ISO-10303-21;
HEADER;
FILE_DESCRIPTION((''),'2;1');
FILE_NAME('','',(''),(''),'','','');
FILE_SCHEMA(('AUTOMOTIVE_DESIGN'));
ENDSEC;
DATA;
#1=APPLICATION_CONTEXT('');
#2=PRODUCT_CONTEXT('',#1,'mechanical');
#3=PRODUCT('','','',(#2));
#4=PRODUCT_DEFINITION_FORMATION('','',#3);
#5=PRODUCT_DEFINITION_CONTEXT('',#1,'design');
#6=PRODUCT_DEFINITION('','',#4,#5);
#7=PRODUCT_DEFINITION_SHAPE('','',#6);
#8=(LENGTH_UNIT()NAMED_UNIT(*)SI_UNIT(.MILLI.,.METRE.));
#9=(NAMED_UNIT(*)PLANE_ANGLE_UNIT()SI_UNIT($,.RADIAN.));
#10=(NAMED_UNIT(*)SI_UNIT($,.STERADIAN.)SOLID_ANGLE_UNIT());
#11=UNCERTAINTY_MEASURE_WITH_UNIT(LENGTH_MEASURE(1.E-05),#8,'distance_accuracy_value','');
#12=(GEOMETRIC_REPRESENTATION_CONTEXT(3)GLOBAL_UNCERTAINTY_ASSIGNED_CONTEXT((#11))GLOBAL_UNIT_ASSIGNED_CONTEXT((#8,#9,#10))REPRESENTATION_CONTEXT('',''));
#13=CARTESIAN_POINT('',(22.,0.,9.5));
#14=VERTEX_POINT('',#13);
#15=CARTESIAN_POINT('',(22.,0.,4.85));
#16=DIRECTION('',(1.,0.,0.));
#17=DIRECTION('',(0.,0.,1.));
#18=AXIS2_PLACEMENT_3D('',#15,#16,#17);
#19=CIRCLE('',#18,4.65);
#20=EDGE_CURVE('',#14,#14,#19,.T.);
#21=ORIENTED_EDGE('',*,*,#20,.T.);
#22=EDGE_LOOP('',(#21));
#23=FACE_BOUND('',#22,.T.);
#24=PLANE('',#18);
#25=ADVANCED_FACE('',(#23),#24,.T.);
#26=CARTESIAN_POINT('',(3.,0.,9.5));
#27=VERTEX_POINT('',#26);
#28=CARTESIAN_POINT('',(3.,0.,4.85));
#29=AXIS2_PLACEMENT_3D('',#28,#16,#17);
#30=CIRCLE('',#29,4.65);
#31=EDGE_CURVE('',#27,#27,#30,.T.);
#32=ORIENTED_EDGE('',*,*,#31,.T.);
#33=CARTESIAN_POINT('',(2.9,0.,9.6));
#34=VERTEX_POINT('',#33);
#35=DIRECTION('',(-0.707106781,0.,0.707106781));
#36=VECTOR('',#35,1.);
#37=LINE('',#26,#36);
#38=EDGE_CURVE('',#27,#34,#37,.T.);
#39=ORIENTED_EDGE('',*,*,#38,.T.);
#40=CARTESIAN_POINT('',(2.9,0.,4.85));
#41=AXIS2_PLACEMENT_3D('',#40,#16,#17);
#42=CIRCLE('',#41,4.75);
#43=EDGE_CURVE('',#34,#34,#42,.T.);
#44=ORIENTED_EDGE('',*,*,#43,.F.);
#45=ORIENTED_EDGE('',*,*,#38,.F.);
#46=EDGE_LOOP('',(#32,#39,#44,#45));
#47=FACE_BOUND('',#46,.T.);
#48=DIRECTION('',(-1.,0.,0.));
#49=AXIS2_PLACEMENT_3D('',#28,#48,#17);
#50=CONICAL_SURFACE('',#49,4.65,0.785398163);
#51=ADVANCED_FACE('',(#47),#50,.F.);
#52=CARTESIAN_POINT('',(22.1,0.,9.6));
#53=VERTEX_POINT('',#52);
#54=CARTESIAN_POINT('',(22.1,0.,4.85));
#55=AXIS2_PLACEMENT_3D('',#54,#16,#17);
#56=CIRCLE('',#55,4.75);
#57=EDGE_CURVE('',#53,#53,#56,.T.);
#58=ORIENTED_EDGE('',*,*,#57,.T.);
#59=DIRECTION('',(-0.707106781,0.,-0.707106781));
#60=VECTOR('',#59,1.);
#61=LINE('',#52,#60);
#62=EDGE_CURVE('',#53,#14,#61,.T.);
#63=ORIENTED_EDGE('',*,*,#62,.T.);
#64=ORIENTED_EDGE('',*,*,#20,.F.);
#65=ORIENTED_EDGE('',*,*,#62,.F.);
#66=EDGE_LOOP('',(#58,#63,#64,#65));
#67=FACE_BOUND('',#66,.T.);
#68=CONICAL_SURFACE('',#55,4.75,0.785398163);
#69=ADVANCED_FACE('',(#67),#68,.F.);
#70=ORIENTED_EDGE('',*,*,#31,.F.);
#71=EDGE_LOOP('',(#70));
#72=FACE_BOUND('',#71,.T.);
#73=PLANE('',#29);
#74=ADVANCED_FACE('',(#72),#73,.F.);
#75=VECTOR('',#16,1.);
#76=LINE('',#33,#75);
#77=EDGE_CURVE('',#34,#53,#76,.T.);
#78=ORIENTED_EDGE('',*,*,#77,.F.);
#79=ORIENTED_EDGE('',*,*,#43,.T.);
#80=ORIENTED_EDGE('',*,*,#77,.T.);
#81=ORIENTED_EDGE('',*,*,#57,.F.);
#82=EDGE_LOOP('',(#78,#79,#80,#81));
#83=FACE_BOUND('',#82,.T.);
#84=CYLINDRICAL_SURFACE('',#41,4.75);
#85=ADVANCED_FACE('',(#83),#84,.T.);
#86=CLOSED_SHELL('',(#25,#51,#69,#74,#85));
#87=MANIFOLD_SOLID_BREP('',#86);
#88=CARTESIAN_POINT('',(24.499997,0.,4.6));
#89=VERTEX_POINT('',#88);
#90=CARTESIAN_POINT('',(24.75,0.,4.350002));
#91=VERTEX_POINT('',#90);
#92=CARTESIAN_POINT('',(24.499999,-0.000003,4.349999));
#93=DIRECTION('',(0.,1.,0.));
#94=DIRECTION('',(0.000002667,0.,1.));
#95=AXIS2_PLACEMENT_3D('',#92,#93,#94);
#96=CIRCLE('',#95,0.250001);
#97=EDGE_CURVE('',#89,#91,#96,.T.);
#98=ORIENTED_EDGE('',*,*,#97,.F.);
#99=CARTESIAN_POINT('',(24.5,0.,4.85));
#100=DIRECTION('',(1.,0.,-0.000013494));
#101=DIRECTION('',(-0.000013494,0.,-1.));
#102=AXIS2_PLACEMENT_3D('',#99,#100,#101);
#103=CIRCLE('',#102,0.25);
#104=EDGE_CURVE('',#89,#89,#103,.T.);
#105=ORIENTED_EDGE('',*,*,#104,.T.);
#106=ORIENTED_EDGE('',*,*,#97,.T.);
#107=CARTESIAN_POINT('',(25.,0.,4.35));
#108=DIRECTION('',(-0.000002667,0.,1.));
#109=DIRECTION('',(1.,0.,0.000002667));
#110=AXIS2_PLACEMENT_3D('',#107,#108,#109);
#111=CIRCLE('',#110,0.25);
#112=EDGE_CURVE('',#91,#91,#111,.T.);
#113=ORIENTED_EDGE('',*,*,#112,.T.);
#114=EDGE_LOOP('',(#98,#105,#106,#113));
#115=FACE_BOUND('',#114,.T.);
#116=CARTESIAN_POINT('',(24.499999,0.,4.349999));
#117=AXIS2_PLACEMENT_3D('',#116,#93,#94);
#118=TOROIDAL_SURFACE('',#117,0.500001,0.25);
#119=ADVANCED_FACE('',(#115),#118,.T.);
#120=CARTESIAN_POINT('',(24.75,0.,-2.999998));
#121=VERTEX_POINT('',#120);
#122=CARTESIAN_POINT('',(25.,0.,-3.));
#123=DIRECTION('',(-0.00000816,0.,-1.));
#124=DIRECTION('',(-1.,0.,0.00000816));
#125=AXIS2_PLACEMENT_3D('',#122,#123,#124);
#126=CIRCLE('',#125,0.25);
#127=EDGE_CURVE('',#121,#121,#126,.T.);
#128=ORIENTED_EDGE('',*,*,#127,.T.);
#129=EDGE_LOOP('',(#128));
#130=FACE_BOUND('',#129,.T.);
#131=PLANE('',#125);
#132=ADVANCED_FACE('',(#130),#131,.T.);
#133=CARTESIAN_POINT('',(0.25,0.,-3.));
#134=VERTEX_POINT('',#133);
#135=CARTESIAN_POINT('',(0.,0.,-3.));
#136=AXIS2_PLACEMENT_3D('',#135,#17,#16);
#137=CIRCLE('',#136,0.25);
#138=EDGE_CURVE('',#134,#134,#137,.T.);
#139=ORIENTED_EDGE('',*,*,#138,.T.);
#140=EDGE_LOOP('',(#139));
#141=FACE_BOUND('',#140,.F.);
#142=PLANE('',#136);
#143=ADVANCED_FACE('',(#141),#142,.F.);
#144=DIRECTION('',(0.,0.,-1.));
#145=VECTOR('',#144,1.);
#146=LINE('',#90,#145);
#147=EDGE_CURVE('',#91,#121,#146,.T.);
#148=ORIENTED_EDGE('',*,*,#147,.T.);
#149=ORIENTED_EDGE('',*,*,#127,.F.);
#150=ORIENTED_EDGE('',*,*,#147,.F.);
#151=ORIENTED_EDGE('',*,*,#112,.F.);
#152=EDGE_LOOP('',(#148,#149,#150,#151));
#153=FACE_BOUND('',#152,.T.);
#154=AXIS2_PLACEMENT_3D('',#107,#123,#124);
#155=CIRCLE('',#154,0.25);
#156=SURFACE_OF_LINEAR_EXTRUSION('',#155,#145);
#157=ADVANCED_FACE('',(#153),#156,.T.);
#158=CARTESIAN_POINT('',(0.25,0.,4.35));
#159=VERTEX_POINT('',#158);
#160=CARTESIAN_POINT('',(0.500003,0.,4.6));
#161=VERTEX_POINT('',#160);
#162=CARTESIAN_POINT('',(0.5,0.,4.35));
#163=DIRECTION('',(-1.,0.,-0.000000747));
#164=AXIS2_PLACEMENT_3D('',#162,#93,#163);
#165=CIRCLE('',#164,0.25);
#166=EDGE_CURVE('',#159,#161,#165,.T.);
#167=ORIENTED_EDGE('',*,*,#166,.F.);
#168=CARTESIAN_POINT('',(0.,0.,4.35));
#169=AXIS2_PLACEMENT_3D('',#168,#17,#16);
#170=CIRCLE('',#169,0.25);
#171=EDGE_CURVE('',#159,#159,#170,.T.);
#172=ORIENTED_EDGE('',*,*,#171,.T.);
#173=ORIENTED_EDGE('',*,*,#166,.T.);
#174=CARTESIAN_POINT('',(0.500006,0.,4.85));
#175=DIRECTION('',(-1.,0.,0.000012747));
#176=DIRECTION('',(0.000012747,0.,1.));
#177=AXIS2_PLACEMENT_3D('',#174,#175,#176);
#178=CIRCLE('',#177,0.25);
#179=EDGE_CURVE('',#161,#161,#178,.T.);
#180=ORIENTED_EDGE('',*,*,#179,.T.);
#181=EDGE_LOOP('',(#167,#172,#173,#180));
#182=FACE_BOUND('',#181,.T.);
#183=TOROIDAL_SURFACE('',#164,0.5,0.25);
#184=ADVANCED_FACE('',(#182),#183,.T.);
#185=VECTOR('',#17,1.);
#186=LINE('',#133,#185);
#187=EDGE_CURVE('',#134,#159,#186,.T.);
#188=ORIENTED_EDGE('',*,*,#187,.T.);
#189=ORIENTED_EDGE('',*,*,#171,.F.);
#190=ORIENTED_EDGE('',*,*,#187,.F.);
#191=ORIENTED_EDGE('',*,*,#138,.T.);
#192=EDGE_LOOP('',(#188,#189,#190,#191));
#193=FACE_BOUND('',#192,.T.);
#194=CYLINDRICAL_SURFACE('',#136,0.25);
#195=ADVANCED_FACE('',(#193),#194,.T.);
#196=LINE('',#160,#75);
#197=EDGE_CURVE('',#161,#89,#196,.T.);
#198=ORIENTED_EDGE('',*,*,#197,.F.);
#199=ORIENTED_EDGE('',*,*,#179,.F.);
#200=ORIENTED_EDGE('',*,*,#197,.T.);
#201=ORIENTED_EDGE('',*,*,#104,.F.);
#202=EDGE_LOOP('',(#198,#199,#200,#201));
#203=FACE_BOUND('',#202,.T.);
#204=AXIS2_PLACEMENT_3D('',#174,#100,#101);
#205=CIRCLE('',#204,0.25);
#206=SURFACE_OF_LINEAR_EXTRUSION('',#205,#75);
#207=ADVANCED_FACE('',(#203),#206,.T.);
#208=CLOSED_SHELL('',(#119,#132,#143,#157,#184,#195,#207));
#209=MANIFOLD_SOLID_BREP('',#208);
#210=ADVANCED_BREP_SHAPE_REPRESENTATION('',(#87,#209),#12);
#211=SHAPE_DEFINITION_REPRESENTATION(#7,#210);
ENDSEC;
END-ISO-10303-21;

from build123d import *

# Parameters (mm, degrees)
SKETCH_R = 0.25


with BuildPart() as sweep_body:
    # Sweep: sweep along a path in Sketch001
    with BuildLine(Plane.XZ) as sweep_path:
        Line((0, -3), (0, 4.35))
        ThreePointArc((0, 4.35), (0.146449, 4.703556), (0.500006, 4.85))
        Line((0.500006, 4.85), (24.5, 4.85))
        ThreePointArc((24.5, 4.85), (24.853553, 4.703553), (25, 4.35))
        Line((25, 4.35), (25, -3))
    # Sketch → Sweep (sweep)
    with BuildSketch(Plane.XY.offset(-2)):
        Circle(SKETCH_R)
    sweep(path=sweep_path.line)


with BuildPart() as revolution:
    # Sketch002 → Revolution (revolve)
    with BuildSketch(Plane.XZ):
        Polygon((2.9, 9.6), (22.1, 9.6), (22, 9.5), (22, 4.85), (3, 4.85), (3, 9.5), align=None)
    revolve(axis=Axis((7.611803, 0, 4.85), (1, 0, 0)))


solid = Compound([sweep_body.part, revolution.part])
